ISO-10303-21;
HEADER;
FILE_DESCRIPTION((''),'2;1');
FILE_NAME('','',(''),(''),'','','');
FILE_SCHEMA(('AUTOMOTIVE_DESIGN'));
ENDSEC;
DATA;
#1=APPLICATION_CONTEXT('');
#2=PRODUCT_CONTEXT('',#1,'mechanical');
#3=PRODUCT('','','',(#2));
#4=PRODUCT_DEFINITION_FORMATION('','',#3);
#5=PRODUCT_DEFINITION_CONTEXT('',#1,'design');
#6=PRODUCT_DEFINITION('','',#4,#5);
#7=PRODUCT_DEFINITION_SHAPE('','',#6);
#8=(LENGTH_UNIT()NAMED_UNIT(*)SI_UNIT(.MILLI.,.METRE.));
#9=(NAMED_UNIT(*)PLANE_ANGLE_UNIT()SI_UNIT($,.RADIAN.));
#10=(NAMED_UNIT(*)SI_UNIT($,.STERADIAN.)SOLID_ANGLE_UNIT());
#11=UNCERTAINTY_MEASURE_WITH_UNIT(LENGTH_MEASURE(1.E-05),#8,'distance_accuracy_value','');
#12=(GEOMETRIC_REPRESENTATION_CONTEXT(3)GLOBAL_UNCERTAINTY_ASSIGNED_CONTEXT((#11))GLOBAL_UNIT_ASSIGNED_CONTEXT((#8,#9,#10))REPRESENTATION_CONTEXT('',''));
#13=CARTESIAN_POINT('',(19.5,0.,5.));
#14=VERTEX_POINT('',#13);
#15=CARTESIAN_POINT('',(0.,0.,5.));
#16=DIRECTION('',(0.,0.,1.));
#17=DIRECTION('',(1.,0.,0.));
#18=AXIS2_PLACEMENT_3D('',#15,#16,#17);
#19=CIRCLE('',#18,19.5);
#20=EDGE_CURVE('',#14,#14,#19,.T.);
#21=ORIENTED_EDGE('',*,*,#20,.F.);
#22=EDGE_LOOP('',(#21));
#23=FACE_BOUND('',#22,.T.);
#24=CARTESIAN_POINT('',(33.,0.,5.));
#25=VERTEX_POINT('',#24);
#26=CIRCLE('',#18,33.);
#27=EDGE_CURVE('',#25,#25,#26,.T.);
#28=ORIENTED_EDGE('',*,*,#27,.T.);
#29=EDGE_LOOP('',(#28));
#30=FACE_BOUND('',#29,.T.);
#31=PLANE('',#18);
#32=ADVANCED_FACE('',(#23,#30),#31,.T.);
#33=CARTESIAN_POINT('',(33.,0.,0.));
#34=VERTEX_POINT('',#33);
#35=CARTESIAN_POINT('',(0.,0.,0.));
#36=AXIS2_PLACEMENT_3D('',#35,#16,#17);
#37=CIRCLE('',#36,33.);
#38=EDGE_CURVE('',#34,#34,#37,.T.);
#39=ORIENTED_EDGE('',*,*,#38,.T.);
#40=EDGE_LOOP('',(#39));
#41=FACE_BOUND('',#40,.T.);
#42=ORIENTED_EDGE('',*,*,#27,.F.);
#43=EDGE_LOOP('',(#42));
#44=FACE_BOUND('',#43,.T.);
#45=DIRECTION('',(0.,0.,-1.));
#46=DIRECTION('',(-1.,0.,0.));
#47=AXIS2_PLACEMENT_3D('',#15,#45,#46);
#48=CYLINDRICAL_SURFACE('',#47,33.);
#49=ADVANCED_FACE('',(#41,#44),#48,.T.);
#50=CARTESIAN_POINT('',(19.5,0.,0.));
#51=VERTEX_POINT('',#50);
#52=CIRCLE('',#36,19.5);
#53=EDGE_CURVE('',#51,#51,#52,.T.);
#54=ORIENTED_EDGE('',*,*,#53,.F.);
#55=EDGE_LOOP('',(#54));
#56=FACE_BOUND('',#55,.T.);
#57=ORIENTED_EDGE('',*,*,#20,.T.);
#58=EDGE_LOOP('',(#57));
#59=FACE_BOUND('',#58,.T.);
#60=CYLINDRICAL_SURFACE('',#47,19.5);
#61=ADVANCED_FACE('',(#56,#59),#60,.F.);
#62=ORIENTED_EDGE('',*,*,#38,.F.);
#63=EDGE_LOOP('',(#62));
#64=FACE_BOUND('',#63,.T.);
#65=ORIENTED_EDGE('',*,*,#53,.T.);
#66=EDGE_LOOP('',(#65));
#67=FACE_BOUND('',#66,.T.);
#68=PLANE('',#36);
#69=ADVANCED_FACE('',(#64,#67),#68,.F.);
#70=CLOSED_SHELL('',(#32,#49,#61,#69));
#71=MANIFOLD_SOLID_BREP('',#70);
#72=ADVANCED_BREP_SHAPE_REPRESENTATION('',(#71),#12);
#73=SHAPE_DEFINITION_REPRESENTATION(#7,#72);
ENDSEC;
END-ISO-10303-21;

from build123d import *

# Parameters (mm, degrees)
SKETCH_1_R      = 33
SKETCH_1_R_2    = 19.5
EXTRUDE_1_DEPTH = 5


with BuildPart() as part:
    # Эскиз1 → Бобышка-Вытянуть1 (new body)
    with BuildSketch(Plane.XY):
        Circle(SKETCH_1_R)
        Circle(SKETCH_1_R_2, mode=Mode.SUBTRACT)
    extrude(amount=EXTRUDE_1_DEPTH)


solid = part.part
